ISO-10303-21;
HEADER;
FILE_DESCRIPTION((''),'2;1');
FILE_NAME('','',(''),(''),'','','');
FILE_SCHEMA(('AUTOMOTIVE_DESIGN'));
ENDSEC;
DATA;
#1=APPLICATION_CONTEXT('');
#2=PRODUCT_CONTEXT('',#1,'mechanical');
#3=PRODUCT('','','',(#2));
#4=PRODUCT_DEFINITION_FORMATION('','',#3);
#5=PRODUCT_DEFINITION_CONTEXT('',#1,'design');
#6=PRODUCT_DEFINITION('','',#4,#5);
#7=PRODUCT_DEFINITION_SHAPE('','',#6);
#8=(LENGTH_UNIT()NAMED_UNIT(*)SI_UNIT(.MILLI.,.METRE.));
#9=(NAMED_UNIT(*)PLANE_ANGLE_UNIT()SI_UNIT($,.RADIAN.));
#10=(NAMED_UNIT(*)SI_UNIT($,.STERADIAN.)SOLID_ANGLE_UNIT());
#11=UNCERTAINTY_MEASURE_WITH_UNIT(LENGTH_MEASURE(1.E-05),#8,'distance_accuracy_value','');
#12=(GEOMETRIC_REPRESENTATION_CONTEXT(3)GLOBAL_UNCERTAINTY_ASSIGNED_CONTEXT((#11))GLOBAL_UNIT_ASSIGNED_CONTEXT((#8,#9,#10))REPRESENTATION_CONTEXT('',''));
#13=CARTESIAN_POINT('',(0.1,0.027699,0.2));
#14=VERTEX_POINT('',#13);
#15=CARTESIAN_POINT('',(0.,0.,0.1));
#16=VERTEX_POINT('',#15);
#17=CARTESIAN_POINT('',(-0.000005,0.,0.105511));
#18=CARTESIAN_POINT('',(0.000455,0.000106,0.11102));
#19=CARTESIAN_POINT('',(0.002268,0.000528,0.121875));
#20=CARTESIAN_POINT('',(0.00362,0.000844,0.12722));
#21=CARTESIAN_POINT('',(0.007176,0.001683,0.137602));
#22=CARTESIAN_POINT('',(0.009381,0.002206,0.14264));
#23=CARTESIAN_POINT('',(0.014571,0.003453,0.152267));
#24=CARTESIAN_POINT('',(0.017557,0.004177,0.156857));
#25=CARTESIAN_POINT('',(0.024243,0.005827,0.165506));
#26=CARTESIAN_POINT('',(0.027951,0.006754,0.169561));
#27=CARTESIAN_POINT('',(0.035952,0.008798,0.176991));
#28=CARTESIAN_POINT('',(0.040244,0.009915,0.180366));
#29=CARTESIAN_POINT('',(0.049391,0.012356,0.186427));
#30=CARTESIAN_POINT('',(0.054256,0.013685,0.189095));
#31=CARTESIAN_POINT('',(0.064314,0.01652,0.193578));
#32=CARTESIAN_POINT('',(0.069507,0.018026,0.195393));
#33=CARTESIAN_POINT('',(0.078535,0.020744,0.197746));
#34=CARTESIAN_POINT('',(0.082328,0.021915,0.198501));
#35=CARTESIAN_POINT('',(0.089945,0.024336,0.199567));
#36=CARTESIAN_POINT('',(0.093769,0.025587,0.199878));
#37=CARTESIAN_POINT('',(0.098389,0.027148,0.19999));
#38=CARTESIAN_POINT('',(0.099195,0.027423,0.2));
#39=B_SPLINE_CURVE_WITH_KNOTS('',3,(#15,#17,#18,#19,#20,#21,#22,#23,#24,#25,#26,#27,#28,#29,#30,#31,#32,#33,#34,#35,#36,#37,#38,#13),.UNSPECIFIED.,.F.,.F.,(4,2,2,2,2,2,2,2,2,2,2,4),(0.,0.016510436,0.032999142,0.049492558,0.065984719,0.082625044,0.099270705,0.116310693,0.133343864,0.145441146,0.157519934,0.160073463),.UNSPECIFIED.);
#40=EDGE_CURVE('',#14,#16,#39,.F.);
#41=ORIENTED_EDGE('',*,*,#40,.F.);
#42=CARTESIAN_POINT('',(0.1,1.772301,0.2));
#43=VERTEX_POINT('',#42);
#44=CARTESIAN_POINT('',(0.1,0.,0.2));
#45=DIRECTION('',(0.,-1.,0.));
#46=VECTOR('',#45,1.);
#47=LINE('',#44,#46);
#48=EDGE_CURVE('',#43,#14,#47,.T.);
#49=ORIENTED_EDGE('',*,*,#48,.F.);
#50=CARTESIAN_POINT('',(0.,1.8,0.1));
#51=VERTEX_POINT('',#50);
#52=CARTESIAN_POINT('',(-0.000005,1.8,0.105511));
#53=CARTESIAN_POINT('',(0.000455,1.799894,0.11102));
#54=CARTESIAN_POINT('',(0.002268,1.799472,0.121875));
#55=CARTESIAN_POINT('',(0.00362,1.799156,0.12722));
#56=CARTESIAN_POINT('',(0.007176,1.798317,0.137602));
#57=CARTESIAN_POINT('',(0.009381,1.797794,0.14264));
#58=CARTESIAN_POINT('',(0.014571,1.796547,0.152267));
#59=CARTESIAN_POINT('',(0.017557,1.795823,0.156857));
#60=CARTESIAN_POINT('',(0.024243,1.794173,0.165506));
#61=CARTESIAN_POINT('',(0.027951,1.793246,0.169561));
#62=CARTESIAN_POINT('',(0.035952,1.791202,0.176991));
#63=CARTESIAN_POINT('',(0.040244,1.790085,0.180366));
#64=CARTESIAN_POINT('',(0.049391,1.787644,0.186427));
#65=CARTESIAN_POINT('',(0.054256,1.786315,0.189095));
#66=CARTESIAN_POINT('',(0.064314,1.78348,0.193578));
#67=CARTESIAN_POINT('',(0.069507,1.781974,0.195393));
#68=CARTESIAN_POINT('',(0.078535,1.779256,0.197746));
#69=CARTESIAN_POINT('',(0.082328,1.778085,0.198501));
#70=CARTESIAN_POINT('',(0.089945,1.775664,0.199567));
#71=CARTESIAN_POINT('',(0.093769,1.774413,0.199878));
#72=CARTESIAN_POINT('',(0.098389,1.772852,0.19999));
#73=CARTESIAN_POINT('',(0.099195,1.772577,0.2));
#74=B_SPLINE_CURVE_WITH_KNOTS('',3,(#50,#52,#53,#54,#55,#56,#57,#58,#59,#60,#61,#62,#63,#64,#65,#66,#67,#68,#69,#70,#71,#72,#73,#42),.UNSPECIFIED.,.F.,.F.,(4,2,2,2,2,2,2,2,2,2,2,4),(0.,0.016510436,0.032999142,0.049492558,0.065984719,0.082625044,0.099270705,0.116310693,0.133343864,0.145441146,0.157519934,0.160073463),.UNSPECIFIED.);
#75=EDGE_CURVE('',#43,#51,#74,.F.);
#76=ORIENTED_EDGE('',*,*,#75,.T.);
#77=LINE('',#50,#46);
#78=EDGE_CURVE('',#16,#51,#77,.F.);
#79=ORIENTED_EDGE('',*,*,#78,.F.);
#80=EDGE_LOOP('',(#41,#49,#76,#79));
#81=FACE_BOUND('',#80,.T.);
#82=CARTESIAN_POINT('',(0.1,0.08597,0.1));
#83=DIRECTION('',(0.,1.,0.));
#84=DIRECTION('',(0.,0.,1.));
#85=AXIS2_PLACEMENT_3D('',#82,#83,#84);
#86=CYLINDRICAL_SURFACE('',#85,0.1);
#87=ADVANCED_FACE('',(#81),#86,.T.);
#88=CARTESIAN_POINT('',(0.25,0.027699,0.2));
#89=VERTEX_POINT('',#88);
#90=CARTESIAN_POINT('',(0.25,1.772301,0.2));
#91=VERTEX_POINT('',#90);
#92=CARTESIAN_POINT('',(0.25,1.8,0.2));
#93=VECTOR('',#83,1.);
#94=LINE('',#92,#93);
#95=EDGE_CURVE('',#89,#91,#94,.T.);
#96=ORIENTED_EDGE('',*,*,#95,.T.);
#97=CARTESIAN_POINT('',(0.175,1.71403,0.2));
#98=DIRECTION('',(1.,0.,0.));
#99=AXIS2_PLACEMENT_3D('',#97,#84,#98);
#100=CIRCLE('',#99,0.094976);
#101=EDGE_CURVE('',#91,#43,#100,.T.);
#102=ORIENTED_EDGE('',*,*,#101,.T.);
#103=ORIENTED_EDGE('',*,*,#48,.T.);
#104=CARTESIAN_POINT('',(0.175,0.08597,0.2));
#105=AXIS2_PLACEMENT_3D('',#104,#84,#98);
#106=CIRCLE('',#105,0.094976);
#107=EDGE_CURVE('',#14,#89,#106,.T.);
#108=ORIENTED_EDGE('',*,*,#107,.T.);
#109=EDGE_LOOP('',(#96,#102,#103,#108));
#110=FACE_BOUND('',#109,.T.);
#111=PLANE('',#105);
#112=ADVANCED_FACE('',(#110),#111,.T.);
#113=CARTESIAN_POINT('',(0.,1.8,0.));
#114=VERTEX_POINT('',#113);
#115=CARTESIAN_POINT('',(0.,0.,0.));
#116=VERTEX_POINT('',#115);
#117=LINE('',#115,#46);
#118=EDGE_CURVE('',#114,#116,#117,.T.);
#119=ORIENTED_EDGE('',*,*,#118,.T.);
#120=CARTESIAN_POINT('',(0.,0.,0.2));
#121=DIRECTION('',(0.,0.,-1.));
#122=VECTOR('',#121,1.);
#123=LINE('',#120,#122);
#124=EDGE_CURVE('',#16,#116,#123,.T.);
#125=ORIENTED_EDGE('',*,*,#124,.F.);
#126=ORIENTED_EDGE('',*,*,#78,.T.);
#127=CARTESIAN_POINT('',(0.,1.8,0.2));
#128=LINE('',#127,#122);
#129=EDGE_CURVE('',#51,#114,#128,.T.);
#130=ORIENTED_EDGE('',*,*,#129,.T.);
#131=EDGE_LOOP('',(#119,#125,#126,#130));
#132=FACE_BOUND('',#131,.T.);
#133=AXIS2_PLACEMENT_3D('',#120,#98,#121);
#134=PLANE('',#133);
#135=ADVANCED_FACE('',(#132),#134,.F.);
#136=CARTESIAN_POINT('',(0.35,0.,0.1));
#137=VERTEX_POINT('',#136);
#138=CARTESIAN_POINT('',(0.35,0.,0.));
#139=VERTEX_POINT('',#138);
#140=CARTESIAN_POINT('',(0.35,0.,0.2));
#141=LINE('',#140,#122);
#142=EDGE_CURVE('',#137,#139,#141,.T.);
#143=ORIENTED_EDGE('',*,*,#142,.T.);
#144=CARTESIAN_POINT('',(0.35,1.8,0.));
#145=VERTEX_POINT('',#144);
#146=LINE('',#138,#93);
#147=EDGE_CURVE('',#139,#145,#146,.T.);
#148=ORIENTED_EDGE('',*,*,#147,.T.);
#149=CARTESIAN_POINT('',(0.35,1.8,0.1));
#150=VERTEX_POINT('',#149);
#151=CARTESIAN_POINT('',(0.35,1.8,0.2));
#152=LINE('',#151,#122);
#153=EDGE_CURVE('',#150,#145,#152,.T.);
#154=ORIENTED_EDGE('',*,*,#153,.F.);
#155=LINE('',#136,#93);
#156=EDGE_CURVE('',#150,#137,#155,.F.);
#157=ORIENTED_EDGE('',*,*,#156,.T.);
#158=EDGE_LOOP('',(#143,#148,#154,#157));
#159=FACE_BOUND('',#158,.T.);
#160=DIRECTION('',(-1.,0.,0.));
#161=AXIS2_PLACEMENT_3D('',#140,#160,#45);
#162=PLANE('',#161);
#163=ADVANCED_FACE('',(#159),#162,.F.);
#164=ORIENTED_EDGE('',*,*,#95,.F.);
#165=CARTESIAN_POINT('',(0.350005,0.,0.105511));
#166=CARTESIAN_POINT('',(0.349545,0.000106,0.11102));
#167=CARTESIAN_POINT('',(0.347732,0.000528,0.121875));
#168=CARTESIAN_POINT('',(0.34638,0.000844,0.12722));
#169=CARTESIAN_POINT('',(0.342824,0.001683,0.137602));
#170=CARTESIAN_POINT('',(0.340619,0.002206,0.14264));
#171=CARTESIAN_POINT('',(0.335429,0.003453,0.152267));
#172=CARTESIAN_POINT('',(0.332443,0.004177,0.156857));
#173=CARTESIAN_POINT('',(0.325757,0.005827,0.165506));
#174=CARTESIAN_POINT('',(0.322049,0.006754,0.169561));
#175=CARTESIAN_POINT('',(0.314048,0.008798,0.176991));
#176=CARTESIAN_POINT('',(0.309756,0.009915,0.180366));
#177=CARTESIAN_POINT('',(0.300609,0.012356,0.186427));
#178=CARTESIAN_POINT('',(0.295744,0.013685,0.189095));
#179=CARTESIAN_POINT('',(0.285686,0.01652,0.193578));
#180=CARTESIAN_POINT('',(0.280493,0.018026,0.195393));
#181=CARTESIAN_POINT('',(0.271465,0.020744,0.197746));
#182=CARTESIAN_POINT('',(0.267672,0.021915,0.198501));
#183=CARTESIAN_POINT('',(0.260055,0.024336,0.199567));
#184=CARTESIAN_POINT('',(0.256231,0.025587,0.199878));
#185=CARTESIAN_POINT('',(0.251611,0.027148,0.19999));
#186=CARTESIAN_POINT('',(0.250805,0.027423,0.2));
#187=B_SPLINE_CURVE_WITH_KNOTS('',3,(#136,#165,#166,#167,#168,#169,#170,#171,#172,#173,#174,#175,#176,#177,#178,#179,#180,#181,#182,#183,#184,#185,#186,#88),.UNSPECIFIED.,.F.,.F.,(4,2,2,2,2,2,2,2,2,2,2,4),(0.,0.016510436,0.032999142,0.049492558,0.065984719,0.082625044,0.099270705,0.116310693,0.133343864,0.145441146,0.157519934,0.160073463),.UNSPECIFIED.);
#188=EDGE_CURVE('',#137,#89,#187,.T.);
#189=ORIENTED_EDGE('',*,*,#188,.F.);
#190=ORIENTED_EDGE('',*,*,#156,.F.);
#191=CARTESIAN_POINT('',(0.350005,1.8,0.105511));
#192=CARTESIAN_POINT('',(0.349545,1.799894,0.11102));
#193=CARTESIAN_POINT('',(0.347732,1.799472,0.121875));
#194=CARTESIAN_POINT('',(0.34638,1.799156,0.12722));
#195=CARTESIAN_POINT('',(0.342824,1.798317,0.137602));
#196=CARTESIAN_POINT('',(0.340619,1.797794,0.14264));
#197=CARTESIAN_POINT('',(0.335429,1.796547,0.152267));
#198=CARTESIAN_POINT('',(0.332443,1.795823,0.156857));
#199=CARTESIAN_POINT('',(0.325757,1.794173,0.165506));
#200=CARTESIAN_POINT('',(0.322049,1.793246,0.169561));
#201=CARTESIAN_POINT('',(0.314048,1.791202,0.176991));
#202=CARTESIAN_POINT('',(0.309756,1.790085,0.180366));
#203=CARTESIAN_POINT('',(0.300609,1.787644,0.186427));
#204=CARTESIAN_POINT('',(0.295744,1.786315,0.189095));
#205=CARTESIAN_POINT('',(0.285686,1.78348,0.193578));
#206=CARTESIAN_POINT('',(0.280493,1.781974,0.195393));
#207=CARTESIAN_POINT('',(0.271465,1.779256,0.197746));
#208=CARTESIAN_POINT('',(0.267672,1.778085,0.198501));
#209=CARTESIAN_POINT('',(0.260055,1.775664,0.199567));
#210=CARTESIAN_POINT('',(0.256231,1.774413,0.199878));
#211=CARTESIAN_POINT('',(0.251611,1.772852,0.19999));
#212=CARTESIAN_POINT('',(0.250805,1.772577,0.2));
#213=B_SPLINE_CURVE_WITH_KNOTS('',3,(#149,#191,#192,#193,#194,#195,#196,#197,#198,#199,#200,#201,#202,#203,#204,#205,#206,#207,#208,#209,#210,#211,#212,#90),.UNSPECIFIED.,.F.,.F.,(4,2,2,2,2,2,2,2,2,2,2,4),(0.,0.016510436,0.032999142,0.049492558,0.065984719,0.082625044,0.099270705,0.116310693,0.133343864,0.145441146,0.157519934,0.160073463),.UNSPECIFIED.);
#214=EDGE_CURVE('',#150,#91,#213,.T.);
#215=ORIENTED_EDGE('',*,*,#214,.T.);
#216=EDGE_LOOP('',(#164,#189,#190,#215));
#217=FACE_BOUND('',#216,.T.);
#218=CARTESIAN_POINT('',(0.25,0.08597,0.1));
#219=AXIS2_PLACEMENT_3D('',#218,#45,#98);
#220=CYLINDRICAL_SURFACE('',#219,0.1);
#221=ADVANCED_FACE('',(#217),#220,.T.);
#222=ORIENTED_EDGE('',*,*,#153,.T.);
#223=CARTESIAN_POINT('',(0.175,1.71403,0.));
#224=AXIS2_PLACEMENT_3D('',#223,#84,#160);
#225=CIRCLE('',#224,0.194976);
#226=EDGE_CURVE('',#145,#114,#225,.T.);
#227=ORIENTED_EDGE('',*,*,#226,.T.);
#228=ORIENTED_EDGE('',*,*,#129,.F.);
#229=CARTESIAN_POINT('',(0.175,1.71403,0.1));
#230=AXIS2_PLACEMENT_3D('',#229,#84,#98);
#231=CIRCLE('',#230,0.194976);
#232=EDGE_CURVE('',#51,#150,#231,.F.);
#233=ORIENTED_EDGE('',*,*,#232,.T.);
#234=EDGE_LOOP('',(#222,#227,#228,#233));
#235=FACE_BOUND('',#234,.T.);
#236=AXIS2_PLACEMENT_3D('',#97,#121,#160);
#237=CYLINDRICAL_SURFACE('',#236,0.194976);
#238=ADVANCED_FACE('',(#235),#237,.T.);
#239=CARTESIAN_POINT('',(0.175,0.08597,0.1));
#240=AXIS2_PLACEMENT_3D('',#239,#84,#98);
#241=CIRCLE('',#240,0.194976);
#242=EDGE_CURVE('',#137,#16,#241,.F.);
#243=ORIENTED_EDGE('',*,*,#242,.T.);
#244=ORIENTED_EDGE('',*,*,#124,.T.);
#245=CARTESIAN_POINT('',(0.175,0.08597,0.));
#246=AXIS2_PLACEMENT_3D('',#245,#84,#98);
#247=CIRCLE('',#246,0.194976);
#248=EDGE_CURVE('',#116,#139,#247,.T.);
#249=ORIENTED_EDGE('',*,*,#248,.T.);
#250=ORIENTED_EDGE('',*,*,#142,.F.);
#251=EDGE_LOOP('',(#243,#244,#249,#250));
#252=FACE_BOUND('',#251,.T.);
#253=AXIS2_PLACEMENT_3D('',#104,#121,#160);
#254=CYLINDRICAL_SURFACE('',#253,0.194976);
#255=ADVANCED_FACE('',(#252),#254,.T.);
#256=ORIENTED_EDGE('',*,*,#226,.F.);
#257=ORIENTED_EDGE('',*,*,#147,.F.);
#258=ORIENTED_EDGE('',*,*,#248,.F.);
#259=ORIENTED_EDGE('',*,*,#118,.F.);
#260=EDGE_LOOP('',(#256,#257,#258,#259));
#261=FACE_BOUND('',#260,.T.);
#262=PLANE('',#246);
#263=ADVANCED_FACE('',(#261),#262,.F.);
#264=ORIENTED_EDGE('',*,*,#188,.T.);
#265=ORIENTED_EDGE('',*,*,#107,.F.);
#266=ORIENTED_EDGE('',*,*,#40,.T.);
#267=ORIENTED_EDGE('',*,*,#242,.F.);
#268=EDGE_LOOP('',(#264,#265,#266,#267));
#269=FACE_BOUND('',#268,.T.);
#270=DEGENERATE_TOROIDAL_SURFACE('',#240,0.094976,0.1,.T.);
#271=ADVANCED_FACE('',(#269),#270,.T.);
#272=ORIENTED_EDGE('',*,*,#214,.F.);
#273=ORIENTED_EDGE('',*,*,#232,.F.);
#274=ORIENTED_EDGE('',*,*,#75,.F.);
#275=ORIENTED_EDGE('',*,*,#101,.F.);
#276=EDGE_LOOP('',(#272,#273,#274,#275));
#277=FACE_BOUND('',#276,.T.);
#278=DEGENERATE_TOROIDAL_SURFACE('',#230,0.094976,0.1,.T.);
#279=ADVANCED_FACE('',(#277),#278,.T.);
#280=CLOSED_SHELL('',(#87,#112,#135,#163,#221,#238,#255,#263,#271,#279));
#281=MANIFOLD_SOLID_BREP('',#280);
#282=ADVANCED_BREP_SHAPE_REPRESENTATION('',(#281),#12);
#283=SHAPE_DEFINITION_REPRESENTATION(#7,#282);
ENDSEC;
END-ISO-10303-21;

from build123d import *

# Parameters (mm, degrees)
BOSS_EXTRU_1_DEPTH = 0.2
CONG_1_R           = 0.1


with BuildPart() as part:
    # Esquisse1 → Boss.-Extru.1 (new body)
    with BuildSketch(Plane.XY):
        with BuildLine():
            Line((0, 0), (0, 1.8))
            ThreePointArc((0, 1.8), (0.175, 1.909006611), (0.35, 1.8))
            Line((0.35, 1.8), (0.35, 0))
            ThreePointArc((0.35, 0), (0.175, -0.109006611), (0, 0))
        make_face()
    extrude(amount=BOSS_EXTRU_1_DEPTH)

    # Congé1
    cong_1_edges = [part.edges().sort_by_distance(p)[0] for p in [
        (0.175, 1.909006611, 0.2),
        (0, 0.9, 0.2),
        (0.175, -0.109006611, 0.2),
        (0.35, 0.9, 0.2),
    ]]
    fillet(cong_1_edges, radius=CONG_1_R)


solid = part.part
